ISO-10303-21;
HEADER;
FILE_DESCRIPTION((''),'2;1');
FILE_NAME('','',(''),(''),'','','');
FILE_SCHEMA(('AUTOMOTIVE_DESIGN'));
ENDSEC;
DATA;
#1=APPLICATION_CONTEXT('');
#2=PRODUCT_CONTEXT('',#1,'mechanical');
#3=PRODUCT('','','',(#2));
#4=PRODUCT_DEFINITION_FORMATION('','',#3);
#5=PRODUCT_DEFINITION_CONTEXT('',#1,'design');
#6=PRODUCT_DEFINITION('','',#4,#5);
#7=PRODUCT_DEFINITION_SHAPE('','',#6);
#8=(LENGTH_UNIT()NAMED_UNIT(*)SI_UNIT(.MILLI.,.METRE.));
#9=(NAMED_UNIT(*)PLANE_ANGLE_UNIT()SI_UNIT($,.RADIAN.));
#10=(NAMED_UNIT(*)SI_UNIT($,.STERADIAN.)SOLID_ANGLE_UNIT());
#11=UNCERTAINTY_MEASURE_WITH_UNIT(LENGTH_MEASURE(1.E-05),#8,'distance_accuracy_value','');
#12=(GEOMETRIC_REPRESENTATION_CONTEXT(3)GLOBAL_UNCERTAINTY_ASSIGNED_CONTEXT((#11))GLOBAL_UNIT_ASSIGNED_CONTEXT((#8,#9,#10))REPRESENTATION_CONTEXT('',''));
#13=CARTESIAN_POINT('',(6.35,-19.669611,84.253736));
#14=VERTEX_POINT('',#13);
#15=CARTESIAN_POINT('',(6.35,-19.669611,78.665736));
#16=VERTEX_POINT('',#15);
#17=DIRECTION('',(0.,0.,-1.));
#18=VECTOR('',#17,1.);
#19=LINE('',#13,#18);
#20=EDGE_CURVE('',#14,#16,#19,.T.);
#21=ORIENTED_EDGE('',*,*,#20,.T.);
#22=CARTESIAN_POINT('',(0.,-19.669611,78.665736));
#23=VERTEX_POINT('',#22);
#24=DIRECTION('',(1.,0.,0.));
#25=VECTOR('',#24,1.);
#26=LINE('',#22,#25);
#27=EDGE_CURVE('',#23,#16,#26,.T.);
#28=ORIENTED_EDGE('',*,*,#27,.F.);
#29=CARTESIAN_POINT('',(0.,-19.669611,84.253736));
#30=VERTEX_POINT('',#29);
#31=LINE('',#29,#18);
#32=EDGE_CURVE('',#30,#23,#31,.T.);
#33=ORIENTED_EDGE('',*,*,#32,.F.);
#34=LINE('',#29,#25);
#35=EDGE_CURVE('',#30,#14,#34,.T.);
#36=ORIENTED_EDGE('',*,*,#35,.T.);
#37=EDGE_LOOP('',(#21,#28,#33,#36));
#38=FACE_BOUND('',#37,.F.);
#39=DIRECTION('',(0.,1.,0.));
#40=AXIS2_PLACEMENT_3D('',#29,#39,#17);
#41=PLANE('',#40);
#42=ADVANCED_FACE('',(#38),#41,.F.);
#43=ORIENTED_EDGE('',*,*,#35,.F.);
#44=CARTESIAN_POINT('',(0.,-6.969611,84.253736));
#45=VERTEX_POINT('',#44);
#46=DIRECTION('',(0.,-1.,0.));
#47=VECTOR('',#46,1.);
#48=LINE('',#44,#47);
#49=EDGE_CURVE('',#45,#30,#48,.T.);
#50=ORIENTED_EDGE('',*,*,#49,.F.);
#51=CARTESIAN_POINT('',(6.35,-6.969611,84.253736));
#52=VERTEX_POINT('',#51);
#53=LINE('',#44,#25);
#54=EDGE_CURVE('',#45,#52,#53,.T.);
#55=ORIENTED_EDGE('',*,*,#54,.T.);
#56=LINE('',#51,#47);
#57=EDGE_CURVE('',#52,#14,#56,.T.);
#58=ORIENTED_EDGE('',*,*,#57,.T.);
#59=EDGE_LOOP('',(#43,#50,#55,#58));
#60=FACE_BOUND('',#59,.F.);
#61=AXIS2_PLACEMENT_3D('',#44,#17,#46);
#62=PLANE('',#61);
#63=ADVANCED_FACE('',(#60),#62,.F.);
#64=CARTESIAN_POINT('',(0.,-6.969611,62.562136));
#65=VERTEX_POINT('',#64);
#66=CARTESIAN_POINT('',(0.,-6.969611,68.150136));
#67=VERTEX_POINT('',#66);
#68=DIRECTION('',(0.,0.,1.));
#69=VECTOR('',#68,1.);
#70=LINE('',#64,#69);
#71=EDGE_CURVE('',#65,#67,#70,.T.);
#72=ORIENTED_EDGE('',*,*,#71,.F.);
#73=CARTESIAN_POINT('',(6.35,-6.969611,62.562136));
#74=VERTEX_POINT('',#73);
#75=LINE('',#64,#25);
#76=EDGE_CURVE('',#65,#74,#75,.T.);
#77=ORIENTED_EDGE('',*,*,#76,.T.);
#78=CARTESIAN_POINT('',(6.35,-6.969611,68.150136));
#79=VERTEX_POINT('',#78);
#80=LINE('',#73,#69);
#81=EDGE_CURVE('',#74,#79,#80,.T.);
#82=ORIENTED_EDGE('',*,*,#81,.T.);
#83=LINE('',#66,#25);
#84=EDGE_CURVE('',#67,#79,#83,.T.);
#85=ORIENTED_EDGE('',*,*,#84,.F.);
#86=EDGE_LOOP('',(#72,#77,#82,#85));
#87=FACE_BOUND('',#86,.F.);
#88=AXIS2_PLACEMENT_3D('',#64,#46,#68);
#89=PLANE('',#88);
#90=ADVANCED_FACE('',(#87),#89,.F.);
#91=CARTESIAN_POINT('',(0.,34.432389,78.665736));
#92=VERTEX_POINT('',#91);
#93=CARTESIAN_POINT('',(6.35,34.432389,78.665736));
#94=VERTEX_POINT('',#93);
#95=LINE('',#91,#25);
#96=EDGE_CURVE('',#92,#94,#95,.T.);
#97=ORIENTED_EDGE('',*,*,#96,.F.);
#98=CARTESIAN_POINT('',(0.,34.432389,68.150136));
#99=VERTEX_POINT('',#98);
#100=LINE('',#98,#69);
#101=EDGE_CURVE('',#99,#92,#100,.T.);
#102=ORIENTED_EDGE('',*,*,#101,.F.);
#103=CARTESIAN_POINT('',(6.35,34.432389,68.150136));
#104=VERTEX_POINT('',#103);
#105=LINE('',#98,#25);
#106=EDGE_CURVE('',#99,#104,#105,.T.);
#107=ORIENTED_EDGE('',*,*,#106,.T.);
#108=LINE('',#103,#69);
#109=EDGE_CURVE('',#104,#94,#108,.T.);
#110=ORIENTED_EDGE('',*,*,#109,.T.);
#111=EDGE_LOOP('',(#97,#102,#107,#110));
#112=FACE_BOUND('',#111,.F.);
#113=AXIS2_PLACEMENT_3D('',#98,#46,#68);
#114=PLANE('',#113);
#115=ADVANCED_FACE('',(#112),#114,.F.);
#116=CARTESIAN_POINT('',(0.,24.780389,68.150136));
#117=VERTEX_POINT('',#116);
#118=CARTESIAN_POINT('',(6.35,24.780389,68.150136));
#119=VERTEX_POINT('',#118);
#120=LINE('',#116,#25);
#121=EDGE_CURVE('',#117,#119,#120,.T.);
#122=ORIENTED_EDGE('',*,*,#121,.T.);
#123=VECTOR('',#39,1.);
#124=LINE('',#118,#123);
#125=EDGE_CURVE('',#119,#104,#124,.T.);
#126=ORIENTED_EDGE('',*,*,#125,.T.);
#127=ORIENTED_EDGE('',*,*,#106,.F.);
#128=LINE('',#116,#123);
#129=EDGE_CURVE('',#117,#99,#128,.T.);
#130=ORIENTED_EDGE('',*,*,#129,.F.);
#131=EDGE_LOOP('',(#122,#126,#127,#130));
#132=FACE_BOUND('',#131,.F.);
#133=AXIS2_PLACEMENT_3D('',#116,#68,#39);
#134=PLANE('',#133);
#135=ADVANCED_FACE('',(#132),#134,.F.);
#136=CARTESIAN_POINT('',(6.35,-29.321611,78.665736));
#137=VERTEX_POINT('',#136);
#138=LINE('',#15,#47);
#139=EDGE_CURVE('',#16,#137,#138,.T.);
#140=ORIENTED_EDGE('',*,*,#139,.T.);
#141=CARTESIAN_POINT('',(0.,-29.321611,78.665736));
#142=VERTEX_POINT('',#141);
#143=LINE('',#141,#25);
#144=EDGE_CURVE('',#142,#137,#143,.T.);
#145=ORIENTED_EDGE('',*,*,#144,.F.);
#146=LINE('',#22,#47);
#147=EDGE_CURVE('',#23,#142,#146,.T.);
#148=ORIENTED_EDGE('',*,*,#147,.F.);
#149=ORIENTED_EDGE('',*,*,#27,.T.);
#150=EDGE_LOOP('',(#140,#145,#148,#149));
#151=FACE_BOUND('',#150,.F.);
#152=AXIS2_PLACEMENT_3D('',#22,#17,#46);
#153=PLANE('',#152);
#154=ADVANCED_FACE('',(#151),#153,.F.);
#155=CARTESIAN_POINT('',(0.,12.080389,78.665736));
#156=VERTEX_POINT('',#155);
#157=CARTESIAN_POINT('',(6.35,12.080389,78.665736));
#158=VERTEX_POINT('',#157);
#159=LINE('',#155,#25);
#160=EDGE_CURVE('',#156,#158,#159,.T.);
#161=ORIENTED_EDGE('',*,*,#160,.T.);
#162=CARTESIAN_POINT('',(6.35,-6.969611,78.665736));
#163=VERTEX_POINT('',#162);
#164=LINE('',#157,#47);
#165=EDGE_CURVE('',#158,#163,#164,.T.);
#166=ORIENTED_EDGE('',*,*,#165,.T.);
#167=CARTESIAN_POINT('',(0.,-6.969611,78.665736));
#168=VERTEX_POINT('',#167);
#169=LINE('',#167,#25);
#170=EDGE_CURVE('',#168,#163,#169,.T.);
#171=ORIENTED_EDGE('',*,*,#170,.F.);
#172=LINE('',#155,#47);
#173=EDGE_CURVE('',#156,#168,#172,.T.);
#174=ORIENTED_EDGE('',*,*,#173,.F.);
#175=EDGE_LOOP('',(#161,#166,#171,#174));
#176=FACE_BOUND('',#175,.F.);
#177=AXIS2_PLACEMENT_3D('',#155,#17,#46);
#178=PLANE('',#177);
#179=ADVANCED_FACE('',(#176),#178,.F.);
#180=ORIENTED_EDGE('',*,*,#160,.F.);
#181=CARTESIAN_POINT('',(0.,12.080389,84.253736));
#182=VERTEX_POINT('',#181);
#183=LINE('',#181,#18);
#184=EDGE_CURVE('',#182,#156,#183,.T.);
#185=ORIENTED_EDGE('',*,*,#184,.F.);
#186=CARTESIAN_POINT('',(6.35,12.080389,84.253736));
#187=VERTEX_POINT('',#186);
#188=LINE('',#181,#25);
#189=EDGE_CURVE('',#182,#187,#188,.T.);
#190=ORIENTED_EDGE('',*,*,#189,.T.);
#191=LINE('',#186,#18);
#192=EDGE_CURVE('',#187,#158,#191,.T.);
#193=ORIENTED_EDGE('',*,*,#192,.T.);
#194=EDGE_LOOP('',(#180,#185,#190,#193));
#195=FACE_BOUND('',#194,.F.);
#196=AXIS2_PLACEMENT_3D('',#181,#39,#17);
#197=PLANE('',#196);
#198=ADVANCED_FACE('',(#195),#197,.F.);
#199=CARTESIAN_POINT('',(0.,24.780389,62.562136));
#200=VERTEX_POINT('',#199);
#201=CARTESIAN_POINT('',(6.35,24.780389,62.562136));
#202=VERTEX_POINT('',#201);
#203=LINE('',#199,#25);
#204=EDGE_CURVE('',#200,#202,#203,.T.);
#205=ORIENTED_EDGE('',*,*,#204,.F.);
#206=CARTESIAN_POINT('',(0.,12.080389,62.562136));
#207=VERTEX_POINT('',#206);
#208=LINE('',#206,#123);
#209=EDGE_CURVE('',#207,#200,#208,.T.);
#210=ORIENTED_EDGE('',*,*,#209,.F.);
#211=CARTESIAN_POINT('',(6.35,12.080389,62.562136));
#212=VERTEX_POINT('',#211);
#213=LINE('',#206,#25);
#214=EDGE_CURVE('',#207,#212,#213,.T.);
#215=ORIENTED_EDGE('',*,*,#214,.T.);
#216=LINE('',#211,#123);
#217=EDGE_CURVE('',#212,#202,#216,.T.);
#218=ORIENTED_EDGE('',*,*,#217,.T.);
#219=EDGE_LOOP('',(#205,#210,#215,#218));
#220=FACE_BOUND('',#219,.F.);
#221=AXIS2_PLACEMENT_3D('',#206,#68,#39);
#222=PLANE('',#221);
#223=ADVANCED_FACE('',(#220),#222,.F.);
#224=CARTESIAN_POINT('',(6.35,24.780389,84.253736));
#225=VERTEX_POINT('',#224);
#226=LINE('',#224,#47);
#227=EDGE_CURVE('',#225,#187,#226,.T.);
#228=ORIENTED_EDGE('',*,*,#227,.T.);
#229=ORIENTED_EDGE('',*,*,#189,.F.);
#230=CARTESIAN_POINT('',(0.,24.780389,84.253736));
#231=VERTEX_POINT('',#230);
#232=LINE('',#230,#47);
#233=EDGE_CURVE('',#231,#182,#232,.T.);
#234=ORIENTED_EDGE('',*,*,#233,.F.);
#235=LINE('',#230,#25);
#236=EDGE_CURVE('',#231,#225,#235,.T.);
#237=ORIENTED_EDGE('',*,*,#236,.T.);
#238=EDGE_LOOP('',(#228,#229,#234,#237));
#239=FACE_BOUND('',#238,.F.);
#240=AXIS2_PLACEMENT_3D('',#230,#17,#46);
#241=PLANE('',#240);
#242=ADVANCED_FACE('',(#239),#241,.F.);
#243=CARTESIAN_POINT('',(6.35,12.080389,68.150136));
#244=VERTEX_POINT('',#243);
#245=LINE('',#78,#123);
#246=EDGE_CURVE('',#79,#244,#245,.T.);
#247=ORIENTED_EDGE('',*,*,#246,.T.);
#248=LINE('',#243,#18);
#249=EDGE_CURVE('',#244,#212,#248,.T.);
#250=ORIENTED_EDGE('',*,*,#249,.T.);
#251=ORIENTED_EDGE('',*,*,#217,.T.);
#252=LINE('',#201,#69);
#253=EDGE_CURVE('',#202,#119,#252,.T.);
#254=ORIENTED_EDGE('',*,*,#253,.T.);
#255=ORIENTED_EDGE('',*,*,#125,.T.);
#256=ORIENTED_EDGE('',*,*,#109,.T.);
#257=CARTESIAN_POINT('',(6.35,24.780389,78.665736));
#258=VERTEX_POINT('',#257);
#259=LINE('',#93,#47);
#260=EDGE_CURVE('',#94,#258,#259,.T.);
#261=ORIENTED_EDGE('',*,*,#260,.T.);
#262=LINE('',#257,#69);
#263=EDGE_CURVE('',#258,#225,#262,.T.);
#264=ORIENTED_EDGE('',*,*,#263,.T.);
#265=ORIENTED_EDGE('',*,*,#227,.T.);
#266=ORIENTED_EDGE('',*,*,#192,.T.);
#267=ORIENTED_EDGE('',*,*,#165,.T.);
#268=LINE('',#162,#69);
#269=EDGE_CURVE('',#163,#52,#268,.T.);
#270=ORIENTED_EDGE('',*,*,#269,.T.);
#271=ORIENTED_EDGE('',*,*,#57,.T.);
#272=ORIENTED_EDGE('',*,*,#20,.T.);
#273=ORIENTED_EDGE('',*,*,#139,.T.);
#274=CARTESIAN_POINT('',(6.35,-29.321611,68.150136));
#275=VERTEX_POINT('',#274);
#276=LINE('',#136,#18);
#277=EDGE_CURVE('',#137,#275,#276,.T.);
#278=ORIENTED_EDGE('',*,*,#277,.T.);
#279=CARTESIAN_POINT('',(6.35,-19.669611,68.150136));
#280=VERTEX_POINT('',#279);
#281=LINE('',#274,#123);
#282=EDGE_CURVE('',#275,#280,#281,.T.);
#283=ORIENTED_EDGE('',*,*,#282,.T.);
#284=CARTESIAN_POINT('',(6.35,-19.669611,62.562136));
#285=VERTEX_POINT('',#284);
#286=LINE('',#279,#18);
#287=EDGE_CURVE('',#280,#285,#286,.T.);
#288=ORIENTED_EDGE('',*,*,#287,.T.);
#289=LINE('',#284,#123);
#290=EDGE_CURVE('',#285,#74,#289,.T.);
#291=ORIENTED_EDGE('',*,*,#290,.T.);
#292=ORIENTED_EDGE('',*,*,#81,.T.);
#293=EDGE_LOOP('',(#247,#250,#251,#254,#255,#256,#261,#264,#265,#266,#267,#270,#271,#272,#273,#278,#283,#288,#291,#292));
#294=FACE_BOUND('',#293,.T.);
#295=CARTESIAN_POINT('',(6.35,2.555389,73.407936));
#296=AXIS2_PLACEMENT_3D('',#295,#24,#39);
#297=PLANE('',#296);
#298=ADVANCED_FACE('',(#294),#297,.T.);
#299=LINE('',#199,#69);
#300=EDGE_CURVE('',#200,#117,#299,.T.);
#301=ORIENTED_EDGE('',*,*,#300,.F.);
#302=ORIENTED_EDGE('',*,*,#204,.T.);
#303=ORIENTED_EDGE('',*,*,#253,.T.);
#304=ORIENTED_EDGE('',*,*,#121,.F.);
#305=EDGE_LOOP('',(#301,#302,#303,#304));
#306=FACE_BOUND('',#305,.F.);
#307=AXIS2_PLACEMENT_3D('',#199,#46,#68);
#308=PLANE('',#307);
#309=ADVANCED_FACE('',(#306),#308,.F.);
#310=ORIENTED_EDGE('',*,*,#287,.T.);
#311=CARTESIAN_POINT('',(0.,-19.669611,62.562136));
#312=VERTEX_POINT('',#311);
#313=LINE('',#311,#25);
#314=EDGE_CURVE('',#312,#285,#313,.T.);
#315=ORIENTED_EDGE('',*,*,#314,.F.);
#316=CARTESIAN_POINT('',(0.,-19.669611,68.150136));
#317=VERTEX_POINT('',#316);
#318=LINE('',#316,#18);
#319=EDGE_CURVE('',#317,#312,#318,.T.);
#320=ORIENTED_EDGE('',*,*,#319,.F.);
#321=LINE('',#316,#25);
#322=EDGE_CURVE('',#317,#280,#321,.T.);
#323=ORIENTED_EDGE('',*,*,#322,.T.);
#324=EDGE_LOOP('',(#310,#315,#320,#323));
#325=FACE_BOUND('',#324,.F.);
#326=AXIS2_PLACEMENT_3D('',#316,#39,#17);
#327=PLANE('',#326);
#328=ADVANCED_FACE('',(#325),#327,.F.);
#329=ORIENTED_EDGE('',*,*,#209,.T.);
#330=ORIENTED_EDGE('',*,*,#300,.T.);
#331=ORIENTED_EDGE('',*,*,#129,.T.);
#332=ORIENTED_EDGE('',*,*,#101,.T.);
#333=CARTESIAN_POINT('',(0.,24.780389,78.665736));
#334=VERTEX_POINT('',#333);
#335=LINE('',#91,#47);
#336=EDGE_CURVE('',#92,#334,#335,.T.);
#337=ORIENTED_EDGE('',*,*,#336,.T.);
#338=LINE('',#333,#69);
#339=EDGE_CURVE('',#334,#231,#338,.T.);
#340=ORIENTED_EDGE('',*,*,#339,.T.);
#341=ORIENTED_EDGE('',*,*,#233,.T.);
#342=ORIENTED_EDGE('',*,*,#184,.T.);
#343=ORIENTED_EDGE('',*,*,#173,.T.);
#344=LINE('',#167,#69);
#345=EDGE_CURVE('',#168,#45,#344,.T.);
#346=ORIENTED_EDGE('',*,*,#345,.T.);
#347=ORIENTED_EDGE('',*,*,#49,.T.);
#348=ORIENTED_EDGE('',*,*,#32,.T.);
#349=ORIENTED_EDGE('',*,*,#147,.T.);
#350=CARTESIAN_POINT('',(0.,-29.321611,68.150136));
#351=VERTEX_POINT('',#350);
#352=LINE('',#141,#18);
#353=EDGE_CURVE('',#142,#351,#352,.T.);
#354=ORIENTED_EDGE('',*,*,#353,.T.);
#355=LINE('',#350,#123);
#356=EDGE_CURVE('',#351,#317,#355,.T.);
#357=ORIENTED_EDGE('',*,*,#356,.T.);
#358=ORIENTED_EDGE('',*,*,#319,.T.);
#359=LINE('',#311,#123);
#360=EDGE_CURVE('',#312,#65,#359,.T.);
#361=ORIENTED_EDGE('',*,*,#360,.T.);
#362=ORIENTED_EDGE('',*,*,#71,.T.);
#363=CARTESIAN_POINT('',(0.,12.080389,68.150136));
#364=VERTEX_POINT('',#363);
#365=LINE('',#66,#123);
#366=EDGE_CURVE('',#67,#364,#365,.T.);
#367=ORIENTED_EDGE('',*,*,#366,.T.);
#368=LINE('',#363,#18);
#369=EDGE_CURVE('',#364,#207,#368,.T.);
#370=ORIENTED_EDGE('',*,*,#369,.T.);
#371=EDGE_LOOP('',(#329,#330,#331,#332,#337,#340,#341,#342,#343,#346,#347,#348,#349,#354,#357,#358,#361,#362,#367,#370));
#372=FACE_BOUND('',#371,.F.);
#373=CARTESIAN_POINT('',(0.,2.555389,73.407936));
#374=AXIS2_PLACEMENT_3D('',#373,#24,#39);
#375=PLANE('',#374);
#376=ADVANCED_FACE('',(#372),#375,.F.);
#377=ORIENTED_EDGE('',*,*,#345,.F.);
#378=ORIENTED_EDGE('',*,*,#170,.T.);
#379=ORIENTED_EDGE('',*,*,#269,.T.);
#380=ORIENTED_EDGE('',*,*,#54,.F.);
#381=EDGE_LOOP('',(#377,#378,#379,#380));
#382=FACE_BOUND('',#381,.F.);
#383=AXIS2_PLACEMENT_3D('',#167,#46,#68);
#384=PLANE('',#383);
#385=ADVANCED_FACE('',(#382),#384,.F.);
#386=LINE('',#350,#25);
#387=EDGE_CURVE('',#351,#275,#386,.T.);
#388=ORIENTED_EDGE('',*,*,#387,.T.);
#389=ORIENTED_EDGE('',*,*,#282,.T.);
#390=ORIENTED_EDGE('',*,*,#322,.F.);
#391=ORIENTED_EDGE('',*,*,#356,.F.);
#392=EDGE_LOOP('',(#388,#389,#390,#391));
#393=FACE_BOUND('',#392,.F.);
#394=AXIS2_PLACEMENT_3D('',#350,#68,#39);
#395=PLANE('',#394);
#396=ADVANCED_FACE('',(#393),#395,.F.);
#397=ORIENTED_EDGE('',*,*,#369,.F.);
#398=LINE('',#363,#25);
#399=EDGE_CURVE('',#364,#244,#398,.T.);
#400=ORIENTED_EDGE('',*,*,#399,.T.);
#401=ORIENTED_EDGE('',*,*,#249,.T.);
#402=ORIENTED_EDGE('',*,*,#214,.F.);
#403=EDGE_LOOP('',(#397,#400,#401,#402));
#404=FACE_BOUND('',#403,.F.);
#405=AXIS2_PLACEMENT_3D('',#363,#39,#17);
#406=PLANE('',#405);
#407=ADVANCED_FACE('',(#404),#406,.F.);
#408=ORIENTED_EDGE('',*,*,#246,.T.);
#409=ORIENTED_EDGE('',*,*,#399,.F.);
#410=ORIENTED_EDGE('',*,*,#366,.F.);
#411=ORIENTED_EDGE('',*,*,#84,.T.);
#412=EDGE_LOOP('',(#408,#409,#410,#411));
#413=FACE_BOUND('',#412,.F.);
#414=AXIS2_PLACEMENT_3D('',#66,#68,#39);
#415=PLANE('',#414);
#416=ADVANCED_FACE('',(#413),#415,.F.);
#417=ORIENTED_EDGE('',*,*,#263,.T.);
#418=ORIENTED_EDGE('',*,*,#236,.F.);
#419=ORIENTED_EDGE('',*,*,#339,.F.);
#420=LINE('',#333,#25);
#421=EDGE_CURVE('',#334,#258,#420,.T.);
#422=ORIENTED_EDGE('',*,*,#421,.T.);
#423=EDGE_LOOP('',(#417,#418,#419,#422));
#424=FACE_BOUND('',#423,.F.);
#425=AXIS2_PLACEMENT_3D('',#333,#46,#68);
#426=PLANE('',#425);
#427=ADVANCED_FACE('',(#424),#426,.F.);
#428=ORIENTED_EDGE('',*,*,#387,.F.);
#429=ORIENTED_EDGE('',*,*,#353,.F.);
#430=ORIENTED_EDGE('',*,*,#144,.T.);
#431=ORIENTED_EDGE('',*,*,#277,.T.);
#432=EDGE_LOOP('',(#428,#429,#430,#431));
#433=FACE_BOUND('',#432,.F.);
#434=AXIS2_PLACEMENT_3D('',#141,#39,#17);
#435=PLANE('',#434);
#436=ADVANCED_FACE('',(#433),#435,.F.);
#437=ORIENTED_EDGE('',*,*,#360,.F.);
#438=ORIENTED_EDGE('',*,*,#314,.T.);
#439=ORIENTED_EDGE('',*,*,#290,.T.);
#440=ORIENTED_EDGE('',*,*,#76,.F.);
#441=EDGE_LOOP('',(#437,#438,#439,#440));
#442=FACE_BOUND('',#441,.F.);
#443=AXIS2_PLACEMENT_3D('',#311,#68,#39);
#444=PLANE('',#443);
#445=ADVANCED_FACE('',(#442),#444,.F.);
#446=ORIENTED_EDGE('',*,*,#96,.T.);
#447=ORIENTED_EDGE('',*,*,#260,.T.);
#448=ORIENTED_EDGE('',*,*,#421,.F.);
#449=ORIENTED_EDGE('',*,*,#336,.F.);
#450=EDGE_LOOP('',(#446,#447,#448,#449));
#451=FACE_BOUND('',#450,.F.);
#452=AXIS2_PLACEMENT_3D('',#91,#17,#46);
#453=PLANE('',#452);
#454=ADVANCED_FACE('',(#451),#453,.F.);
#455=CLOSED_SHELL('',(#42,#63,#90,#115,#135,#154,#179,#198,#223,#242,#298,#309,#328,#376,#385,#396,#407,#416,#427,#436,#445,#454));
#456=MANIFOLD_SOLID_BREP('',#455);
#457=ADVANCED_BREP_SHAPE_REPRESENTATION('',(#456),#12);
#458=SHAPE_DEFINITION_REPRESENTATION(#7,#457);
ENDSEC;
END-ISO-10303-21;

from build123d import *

# Parameters (mm, degrees)
F1_DEPTH = 6.35


with BuildPart() as f1:
    # F0 (on Right) → F1 (new body)
    with BuildSketch(Plane.YZ):
        Polygon((-19.669611, 78.665736), (-29.321611, 78.665736), (-29.321611, 68.150136), (-19.669611, 68.150136), (-19.669611, 62.562136), (-6.969611, 62.562136), (-6.969611, 68.150136), (12.080389, 68.150136), (12.080389, 62.562136), (24.780389, 62.562136), (24.780389, 68.150136), (34.432389, 68.150136), (34.432389, 78.665736), (24.780389, 78.665736), (24.780389, 84.253736), (12.080389, 84.253736), (12.080389, 78.665736), (-6.969611, 78.665736), (-6.969611, 84.253736), (-19.669611, 84.253736), align=None)
    extrude(amount=F1_DEPTH)


solid = f1.part
